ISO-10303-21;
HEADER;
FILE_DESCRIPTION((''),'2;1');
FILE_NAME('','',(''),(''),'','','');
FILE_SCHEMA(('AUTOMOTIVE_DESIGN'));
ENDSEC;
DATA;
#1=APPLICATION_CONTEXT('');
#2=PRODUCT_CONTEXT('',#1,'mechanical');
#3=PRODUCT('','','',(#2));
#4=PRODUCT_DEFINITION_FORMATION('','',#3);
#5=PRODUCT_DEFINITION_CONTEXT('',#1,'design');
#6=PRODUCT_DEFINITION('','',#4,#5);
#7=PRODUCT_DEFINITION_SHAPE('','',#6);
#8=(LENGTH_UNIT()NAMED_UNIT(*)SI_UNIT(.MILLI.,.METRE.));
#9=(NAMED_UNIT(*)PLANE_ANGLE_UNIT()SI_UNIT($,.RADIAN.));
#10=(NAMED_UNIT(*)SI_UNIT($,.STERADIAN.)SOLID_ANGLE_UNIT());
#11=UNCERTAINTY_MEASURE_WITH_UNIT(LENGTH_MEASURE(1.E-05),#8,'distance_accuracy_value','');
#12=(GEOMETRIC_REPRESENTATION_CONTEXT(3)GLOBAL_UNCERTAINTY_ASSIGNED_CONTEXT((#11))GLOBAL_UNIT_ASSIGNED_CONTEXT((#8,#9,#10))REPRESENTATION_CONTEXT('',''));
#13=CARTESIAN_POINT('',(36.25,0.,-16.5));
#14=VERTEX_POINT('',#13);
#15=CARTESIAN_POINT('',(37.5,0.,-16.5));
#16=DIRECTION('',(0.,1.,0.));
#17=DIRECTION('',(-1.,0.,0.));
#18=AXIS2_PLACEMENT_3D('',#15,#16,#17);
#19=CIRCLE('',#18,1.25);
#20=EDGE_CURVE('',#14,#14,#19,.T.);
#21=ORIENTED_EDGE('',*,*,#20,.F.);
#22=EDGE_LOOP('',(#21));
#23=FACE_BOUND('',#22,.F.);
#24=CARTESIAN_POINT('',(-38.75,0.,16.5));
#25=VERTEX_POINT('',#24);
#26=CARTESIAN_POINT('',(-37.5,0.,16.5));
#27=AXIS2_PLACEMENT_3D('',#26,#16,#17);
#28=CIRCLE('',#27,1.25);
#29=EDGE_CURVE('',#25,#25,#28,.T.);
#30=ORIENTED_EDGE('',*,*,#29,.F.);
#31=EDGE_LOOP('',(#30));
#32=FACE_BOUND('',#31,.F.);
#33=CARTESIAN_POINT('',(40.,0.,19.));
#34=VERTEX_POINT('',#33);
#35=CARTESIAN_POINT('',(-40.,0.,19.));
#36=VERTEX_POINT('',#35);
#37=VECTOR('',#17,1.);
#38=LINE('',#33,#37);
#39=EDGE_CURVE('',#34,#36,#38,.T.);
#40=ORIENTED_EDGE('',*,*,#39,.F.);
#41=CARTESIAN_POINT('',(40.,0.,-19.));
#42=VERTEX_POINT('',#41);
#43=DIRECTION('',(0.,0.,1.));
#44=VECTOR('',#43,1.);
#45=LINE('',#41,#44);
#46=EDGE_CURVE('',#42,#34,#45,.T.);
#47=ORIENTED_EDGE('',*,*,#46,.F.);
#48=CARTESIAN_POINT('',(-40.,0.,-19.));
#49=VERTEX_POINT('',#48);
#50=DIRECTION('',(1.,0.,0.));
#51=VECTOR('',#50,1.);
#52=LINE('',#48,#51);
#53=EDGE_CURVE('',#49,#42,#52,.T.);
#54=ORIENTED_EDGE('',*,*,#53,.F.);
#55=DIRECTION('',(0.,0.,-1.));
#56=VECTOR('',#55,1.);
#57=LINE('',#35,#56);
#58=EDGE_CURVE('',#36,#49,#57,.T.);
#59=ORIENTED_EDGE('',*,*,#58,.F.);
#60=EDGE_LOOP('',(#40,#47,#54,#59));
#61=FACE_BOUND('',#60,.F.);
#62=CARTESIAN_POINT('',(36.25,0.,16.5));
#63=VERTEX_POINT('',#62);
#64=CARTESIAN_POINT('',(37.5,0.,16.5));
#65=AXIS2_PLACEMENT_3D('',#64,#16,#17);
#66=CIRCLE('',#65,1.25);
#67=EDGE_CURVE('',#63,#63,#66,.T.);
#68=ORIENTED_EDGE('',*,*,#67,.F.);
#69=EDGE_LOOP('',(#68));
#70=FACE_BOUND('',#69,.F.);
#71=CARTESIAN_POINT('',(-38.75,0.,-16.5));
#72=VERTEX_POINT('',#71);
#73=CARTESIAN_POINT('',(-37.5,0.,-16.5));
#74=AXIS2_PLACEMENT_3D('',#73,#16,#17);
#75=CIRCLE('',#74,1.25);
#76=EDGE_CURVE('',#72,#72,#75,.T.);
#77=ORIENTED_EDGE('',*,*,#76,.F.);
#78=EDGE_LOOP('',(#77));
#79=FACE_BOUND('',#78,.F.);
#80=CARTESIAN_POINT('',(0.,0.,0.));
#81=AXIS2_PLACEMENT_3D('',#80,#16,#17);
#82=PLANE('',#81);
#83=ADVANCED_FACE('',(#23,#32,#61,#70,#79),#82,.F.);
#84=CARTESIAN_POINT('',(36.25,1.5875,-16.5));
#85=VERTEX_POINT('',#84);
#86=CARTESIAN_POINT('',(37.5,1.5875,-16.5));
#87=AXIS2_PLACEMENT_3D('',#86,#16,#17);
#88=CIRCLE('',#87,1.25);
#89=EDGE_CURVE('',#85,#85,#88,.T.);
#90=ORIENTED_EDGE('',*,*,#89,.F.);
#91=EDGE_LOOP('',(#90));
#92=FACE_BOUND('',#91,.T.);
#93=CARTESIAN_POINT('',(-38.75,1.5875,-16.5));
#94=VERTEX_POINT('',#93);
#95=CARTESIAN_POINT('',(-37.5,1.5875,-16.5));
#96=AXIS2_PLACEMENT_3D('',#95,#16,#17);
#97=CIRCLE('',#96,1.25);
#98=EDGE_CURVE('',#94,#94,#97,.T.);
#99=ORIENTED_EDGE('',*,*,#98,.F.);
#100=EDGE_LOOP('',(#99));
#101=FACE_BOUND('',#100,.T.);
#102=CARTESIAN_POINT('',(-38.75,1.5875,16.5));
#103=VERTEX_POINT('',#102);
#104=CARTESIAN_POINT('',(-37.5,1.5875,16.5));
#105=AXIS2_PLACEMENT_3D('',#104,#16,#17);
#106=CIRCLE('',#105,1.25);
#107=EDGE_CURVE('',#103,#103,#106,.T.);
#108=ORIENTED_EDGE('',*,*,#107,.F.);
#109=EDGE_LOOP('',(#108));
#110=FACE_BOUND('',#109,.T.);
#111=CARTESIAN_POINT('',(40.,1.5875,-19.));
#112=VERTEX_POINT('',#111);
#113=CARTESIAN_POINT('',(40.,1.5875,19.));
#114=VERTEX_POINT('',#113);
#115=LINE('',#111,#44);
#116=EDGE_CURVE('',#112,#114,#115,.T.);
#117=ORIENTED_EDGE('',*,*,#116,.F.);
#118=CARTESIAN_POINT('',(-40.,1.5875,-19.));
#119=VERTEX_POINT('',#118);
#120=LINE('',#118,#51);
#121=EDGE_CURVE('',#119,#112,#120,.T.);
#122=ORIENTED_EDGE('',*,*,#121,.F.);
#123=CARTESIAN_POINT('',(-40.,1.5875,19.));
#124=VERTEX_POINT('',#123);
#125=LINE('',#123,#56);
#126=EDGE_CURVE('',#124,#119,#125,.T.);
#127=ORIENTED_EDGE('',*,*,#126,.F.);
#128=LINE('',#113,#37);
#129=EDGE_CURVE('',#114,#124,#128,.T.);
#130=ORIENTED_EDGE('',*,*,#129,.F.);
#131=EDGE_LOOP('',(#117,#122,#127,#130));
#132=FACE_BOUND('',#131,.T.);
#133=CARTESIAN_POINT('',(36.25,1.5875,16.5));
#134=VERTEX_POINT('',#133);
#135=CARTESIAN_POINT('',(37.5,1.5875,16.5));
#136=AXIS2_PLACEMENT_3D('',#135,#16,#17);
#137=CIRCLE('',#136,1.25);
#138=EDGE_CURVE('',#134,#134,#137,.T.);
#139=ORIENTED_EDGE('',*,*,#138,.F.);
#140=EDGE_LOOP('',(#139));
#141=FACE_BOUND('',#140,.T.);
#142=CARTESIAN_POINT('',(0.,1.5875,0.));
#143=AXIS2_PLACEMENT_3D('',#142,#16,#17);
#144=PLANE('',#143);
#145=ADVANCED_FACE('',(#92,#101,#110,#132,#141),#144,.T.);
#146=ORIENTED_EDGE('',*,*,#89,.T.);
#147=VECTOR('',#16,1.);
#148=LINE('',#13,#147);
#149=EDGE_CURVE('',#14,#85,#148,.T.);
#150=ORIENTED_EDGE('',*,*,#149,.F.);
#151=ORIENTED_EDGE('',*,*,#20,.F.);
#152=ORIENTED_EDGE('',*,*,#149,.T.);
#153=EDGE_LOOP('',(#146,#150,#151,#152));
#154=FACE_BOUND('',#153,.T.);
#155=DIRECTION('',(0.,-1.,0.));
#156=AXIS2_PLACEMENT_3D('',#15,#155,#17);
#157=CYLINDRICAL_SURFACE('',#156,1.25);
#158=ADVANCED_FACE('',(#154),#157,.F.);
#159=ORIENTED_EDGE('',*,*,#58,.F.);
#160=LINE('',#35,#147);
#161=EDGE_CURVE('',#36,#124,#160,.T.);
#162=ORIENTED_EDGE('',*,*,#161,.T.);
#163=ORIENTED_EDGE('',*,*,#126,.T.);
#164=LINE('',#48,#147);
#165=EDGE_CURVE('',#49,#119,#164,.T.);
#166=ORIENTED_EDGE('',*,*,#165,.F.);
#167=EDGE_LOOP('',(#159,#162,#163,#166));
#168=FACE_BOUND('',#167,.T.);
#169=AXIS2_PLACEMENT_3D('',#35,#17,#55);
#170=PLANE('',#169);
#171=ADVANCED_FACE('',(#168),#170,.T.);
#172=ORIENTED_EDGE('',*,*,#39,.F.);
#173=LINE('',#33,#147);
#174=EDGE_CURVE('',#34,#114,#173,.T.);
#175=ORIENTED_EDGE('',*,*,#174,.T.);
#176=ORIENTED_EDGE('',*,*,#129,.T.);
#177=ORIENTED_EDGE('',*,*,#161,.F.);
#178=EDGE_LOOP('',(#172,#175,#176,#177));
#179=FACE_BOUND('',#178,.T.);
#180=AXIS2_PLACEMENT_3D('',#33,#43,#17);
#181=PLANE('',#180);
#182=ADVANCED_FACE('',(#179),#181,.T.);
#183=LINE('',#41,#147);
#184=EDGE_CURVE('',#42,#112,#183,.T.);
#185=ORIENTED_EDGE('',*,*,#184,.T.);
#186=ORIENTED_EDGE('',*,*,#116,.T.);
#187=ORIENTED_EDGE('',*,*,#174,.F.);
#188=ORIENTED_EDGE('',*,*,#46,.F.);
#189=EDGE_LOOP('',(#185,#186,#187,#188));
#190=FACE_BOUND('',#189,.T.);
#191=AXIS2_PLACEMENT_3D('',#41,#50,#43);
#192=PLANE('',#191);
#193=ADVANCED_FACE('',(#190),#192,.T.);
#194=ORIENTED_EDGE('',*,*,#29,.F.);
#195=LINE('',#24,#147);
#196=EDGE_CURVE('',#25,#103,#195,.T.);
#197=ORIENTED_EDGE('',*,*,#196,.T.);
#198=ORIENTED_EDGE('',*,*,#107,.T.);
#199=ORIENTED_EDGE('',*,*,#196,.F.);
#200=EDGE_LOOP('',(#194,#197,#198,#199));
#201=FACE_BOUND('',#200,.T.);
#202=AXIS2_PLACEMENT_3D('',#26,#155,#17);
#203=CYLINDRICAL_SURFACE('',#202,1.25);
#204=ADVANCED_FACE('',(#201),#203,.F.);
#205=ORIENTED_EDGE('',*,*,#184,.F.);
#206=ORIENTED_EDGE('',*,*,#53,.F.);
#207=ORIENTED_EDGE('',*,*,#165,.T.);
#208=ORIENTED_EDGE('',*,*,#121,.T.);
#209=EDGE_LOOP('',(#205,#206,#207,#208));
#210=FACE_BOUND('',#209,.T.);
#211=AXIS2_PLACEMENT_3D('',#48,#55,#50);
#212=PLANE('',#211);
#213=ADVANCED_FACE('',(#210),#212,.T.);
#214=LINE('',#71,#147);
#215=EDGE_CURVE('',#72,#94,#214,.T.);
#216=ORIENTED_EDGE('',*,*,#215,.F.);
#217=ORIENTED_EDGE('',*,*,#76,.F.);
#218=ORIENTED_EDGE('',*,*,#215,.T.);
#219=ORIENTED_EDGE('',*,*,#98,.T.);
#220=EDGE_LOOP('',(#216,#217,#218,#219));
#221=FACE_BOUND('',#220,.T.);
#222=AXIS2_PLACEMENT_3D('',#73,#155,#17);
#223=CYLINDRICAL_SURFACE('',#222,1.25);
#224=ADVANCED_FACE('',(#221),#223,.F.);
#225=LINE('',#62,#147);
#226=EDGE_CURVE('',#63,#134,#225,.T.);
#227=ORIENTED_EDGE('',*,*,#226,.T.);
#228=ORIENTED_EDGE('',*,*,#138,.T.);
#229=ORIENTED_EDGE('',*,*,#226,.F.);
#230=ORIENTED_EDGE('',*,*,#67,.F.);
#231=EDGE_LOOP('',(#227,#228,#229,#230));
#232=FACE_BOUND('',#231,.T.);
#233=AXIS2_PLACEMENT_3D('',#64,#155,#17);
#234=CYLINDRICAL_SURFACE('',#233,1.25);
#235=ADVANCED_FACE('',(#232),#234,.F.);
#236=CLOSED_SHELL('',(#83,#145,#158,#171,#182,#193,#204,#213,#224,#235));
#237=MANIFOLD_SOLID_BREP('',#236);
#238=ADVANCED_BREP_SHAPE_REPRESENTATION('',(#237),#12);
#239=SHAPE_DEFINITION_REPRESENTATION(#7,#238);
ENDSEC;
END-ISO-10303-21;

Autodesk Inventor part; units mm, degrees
ref_plane "YZ Plane" through (0, 0, 0) normal (1, 0, 0) x (0, 1, 0)
ref_plane "XZ Plane" through (0, 0, 0) normal (0, 1, 0) x (-1, 0, 0)
ref_plane "XY Plane" through (0, 0, 0) normal (0, 0, 1) x (1, 0, 0)
sketch "Sketch1" plane through (0, 0, 0) normal (0, 1, 0) x (-1, 0, 0)
  line L0 (40, -19) -> (-40, -19)
  line L1 (-40, -19) -> (-40, 19)
  line L2 (-40, 19) -> (40, 19)
  line L3 (40, 19) -> (40, -19)
  line L4 (37.5, -16.5) -> (-37.5, -16.5) construction
  line L5 (-37.5, -16.5) -> (-37.5, 16.5) construction
  line L6 (-37.5, 16.5) -> (37.5, 16.5) construction
  line L7 (37.5, 16.5) -> (37.5, -16.5) construction
  circle A0 centre (37.5, -16.5) radius 1.25
  line L8 (0, -19) -> (0, 19) construction
  line L9 (-40, 0) -> (40, 0) construction
  circle A1 centre (-37.5, -16.5) radius 1.25
  circle A2 centre (37.5, 16.5) radius 1.25
  circle A3 centre (-37.5, 16.5) radius 1.25
  point P0 (0, 0)
  dimension "d0" = 80
  dimension "d1" = 38
  dimension "d2" = 40
  dimension "d3" = 19
  dimension "d4" = 75
  dimension "d5" = 33
  dimension "d6" = 2.5
  dimension "d7" = 2.5
  dimension "d8" = 2.5
extrude "Extrusion1" add sketch "Sketch1" along normal blind 1.5875
equation "\"d2\" = 0.5 * d0"
equation "\"d3\" = 0.5 * d1"
equation "\"d7\" = d6"
